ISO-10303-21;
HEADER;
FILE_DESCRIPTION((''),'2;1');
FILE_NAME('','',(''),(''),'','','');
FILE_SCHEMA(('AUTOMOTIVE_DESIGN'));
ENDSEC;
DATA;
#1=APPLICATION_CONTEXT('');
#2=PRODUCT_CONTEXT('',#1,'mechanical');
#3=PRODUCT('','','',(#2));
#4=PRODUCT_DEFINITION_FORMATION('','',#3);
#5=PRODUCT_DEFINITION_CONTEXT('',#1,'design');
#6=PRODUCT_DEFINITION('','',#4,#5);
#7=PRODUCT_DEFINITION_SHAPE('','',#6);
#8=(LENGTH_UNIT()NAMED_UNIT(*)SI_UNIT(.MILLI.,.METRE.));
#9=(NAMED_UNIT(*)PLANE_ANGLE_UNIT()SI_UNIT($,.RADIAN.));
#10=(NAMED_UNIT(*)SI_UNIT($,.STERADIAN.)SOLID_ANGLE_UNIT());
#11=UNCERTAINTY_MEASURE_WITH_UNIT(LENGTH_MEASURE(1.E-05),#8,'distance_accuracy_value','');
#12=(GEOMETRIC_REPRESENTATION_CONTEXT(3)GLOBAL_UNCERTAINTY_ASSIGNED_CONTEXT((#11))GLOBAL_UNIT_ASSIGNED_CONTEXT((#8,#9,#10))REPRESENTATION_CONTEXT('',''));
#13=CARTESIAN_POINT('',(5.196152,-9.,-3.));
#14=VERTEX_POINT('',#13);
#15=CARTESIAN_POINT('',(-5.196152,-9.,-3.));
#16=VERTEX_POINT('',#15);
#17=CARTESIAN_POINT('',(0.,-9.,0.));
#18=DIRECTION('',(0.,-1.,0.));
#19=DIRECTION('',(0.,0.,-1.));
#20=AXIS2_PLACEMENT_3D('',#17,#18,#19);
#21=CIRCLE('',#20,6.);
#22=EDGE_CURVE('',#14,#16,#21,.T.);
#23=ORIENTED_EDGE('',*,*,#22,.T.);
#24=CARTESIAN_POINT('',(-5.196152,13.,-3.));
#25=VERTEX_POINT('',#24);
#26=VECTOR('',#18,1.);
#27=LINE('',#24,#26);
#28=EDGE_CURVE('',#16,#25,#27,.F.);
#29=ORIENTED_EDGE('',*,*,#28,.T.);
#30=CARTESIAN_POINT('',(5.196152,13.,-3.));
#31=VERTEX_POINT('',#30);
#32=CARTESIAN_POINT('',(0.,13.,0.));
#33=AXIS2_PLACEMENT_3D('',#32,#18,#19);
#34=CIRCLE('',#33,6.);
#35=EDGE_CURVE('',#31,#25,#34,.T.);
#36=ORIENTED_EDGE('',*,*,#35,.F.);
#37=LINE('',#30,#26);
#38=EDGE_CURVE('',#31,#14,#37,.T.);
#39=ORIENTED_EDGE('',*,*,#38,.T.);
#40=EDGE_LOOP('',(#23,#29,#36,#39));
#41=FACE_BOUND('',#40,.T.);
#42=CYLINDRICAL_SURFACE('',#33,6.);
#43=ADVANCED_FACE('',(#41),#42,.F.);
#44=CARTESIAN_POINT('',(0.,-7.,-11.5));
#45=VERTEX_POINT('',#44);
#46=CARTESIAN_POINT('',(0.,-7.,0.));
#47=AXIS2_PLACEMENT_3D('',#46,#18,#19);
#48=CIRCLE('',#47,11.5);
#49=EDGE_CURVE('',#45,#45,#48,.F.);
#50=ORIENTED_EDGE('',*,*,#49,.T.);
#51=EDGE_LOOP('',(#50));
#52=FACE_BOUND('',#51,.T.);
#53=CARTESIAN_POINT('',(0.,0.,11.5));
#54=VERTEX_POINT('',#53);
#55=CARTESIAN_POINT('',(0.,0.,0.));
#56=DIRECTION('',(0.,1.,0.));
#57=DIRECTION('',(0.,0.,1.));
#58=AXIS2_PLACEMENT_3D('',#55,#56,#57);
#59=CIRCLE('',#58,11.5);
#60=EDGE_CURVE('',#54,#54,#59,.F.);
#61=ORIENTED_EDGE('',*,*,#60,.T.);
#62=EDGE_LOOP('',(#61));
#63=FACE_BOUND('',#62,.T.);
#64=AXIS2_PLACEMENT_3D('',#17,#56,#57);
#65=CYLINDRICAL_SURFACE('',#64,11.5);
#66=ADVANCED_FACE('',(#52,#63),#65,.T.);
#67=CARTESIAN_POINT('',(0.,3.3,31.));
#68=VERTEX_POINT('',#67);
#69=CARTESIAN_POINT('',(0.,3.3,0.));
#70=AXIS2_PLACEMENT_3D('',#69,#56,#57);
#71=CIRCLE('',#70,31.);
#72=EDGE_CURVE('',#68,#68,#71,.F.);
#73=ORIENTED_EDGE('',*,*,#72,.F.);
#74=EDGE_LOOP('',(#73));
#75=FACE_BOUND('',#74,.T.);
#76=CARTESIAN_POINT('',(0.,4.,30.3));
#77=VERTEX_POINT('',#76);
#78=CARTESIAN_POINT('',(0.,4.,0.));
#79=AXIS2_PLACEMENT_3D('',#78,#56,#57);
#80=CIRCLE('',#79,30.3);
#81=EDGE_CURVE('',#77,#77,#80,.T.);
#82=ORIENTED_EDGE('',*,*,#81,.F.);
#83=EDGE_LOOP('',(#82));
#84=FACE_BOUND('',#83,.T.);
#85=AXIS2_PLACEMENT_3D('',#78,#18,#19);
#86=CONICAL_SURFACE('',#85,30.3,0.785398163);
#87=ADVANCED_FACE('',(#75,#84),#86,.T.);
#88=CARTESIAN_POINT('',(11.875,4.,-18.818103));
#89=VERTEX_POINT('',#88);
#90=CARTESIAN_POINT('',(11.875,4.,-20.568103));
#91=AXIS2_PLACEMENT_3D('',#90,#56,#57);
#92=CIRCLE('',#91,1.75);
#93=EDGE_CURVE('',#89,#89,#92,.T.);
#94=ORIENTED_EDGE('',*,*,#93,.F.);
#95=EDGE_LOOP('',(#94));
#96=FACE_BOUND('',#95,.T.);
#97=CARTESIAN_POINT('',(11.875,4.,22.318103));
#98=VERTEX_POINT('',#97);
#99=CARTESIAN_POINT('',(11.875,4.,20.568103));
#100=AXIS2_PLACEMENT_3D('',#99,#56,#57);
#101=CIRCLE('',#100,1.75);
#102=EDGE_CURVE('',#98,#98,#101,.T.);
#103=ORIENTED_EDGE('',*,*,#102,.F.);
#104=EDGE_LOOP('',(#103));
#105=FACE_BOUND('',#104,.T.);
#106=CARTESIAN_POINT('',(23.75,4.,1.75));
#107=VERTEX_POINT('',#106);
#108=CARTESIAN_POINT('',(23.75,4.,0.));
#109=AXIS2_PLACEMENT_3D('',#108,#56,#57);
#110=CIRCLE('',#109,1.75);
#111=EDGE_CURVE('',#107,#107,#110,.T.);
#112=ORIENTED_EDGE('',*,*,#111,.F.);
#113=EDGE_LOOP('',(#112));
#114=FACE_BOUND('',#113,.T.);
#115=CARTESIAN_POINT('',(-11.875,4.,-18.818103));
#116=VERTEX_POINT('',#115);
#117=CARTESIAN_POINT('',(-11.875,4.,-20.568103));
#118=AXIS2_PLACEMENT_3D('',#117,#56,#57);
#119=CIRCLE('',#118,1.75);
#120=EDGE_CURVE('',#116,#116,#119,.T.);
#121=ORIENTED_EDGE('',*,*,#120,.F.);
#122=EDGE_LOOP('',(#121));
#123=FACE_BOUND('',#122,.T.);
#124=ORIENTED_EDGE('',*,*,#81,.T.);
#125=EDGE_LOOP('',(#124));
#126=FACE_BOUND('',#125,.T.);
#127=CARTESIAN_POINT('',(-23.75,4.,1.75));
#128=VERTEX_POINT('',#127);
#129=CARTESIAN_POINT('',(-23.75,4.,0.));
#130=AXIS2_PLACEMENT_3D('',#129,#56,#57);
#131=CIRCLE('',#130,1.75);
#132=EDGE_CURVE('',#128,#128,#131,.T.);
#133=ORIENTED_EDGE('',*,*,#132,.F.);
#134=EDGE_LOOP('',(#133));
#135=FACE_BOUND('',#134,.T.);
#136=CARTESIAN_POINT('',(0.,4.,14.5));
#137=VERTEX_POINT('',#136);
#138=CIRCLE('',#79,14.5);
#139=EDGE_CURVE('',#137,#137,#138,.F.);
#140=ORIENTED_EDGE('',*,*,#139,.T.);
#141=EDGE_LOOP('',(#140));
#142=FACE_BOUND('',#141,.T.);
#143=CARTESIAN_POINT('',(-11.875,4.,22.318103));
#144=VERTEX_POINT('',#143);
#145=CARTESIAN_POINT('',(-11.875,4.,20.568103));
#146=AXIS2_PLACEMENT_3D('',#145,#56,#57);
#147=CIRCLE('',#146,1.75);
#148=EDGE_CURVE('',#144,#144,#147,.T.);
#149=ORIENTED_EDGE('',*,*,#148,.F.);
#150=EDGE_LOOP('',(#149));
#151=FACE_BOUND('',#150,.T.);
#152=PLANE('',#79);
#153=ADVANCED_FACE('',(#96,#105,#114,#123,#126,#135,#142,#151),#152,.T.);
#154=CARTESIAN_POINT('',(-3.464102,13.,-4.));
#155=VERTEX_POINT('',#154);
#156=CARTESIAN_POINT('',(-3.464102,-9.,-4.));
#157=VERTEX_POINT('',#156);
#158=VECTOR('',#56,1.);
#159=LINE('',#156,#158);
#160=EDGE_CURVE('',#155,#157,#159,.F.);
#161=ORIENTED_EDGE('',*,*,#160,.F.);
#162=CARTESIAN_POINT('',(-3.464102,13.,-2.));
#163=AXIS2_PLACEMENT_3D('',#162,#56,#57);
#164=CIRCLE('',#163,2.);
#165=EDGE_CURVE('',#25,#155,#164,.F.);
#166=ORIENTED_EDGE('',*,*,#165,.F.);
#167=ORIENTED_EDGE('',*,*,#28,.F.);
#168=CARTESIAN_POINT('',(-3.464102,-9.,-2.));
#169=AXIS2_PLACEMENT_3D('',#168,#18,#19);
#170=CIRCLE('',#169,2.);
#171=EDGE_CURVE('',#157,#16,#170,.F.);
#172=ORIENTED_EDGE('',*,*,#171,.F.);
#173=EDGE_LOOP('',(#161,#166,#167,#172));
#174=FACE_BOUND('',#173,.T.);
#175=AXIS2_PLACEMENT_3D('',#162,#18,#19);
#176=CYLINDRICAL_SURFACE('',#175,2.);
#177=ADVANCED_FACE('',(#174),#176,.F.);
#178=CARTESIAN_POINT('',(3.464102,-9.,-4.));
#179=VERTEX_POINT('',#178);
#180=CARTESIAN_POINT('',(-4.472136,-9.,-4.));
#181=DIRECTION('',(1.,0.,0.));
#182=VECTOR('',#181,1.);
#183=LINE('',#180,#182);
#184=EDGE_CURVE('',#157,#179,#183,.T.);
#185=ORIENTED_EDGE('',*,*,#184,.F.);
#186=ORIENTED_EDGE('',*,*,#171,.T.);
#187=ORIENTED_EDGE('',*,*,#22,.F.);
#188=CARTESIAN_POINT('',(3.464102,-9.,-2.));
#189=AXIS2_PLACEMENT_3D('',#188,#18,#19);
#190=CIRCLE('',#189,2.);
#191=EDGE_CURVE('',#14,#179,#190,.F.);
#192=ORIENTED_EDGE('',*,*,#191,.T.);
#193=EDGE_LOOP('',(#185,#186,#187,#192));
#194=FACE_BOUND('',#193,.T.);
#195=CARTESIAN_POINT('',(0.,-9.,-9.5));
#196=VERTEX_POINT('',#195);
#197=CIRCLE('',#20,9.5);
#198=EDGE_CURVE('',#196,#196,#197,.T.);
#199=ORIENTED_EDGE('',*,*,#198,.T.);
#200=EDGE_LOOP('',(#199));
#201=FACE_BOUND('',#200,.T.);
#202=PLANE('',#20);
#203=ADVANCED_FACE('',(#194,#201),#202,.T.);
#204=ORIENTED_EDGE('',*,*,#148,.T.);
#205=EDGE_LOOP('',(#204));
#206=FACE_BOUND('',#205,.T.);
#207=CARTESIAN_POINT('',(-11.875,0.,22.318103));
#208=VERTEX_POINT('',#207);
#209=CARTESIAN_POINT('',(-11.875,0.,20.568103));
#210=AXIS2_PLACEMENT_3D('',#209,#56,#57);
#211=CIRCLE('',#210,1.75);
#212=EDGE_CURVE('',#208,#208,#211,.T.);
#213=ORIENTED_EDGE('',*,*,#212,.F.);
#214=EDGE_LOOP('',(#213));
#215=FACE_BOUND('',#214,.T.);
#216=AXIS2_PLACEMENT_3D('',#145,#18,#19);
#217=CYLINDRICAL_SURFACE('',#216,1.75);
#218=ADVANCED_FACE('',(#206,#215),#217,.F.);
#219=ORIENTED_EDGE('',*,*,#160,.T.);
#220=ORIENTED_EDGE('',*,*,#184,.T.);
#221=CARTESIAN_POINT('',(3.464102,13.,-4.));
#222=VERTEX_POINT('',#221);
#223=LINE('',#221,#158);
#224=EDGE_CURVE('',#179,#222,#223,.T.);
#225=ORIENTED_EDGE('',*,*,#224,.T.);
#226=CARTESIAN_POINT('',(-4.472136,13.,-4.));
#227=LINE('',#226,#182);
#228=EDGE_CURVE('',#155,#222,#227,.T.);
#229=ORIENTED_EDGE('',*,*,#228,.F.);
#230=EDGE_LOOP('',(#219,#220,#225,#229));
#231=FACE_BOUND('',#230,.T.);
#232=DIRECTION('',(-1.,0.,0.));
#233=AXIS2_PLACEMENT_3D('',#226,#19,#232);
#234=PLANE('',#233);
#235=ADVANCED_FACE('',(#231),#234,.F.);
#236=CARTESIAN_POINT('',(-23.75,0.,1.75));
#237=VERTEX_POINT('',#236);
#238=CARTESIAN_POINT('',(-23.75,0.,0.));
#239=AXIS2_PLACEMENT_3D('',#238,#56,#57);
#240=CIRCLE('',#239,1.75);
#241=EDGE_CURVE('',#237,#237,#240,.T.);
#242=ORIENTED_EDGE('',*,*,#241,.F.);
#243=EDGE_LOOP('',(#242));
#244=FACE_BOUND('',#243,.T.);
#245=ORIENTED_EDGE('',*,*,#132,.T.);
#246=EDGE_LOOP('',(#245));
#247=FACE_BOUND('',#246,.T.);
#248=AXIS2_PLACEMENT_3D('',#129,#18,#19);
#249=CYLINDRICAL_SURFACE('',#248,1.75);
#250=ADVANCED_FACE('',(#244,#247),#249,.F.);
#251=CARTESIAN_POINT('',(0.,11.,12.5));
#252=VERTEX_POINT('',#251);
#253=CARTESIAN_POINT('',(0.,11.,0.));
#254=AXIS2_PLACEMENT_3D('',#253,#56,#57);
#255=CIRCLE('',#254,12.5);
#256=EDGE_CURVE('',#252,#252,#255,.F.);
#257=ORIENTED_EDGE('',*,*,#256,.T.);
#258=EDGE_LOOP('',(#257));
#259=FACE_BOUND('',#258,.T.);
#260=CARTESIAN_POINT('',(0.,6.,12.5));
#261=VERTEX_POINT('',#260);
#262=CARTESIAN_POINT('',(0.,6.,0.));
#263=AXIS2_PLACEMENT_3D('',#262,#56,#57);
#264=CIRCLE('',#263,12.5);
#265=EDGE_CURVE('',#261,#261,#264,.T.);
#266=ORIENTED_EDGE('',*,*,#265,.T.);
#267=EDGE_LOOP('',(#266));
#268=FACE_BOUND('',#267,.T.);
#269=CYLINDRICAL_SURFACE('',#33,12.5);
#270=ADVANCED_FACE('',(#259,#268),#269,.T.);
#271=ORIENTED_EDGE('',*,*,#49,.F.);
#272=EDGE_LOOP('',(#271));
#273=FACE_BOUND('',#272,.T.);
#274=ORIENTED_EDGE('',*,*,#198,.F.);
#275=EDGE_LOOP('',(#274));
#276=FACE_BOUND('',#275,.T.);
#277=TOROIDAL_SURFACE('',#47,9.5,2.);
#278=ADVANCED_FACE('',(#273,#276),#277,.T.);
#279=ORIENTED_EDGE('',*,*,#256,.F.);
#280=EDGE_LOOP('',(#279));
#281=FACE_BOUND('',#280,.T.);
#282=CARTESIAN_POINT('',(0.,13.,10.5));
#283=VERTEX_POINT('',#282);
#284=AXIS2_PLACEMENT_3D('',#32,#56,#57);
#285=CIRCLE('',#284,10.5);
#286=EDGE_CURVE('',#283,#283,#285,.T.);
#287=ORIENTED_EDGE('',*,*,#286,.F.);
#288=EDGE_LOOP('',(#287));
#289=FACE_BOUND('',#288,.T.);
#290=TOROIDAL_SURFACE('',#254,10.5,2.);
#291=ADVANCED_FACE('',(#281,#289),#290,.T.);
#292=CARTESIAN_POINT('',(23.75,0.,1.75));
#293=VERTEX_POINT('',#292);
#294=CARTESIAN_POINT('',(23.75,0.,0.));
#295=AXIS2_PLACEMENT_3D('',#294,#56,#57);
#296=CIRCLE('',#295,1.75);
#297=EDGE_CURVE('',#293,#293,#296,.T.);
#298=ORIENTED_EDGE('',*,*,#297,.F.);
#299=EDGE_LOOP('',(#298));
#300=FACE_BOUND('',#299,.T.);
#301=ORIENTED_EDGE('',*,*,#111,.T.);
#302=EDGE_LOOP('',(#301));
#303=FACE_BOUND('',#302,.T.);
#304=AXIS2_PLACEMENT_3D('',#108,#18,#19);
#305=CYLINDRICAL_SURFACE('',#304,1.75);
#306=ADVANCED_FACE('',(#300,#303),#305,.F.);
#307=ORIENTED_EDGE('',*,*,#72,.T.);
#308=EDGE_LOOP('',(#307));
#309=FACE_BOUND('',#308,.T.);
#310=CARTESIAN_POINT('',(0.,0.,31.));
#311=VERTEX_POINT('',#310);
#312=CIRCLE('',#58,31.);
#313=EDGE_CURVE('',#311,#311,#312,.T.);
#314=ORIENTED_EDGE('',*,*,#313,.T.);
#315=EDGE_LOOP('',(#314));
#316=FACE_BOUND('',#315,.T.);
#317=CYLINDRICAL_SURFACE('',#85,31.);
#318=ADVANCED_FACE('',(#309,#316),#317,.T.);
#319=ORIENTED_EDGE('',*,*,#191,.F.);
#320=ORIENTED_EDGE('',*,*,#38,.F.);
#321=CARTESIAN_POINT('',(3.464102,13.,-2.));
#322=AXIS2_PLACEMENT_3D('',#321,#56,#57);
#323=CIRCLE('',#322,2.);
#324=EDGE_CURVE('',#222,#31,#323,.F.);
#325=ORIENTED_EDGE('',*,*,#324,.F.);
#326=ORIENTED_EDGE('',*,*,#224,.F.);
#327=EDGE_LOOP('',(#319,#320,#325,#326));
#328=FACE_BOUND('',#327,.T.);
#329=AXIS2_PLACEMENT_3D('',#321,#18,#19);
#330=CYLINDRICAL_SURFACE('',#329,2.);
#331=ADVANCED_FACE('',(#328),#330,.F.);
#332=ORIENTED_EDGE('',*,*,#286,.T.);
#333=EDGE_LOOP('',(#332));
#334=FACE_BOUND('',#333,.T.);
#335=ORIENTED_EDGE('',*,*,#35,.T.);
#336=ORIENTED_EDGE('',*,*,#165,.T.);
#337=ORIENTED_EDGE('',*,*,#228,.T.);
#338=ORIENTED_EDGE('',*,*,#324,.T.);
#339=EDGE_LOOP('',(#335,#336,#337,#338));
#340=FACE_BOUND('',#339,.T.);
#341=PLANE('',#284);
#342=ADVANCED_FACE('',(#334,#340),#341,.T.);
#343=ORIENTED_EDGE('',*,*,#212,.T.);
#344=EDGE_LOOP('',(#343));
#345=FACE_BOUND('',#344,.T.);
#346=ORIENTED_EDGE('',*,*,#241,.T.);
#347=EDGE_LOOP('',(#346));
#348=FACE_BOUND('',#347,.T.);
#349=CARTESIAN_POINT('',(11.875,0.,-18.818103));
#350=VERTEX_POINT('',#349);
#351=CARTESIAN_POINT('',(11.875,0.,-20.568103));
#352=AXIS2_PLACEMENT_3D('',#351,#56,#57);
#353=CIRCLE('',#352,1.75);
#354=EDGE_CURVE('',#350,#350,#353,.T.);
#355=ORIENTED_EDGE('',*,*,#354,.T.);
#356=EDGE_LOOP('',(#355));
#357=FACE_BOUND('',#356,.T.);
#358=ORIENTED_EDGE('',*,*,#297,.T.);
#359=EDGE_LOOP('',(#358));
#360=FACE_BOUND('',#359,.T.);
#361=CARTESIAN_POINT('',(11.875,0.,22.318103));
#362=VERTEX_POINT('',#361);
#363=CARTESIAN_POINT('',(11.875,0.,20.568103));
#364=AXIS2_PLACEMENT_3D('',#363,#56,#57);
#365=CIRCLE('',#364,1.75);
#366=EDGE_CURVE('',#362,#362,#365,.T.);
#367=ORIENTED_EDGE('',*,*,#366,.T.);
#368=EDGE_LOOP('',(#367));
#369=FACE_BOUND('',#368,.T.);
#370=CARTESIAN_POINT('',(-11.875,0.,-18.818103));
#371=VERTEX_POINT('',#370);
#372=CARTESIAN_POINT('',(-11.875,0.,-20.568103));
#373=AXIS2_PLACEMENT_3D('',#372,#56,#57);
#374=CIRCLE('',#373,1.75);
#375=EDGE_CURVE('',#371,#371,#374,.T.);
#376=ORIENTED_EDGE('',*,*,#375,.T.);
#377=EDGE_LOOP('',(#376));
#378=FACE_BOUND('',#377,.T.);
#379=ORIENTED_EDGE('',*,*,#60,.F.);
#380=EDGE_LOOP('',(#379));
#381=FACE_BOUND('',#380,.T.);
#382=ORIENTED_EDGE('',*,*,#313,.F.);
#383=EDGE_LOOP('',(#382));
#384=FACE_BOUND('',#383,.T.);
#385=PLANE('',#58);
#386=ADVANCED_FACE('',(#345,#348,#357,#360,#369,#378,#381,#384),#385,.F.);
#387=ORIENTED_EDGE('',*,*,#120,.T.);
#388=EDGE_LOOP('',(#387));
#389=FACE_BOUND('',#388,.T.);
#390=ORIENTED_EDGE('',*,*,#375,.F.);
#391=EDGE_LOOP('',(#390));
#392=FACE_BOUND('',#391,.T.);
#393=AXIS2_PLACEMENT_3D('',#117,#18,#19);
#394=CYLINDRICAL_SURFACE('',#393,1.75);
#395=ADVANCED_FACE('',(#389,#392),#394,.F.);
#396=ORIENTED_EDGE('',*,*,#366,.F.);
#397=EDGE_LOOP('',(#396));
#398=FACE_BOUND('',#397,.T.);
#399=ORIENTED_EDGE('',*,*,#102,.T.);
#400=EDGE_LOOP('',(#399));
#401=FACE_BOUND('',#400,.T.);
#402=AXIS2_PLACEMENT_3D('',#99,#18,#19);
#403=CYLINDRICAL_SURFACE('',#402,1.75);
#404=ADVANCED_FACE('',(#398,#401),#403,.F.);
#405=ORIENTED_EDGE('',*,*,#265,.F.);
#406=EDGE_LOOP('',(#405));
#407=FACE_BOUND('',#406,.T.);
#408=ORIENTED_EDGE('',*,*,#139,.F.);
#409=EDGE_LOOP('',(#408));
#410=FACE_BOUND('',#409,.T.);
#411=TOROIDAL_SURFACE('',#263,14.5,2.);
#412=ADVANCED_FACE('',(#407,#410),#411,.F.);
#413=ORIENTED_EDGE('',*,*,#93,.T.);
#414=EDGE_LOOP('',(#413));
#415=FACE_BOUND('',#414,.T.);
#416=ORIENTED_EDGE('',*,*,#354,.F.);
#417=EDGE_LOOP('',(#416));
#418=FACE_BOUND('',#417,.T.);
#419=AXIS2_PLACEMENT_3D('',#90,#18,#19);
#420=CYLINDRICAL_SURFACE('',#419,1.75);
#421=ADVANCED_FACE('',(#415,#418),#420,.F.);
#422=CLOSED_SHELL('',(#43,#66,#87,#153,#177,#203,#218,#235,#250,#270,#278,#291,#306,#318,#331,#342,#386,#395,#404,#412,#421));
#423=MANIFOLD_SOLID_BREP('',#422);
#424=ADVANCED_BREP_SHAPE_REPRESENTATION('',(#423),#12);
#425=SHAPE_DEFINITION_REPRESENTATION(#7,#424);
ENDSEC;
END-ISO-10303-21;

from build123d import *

# Parameters (mm, degrees)
SKETCH1_R           = 31
SKETCH1_R_2         = 1.75
BOSS_EXTRUDE1_DEPTH = 4
SKETCH2_R           = 12.5
BOSS_EXTRUDE2_DEPTH = 9
FILLET2_R           = 2
CHAMFER2_SIZE       = 0.7
SKETCH6_R           = 11.5
BOSS_EXTRUDE3_DEPTH = 9
FILLET3_R           = 2
CUT_EXTRUDE3_DEPTH  = 50.050993874
FILLET4_R           = 2


with BuildPart() as part:
    # Sketch1 → Boss-Extrude1 (new body)
    with BuildSketch(Plane(origin=(0, 0, 0), x_dir=(1, 0, 0), z_dir=(0, 1, 0))):
        with Locations(Location((0, 0, 0), (0, 0, 270))):
            Circle(SKETCH1_R)
        with Locations(Location((-11.875, 20.56810334, 0), (0, 0, 270))):
            Circle(SKETCH1_R_2, mode=Mode.SUBTRACT)
        with Locations(Location((11.875, 20.56810334, 0), (0, 0, 270))):
            Circle(SKETCH1_R_2, mode=Mode.SUBTRACT)
        with Locations(Location((23.75, 0, 0), (0, 0, 270))):
            Circle(SKETCH1_R_2, mode=Mode.SUBTRACT)
        with Locations(Location((11.875, -20.56810334, 0), (0, 0, 270))):
            Circle(SKETCH1_R_2, mode=Mode.SUBTRACT)
        with Locations(Location((-11.875, -20.56810334, 0), (0, 0, 270))):
            Circle(SKETCH1_R_2, mode=Mode.SUBTRACT)
        with Locations(Location((-23.75, 0, 0), (0, 0, 270))):
            Circle(SKETCH1_R_2, mode=Mode.SUBTRACT)
    extrude(amount=BOSS_EXTRUDE1_DEPTH)

    # Sketch2 → Boss-Extrude2 (add)
    with BuildSketch(Plane(origin=(0, 4, 0), x_dir=(1, 0, 0), z_dir=(0, 1, 0))):
        with Locations(Location((0, 0, 0), (0, 0, 270))):
            Circle(SKETCH2_R)
    extrude(amount=BOSS_EXTRUDE2_DEPTH)

    # Fillet2
    fillet2_edges = [part.edges().sort_by_distance(p)[0] for p in [
        (0, 4, -12.5),
        (0, 13, -12.5),
    ]]
    fillet(fillet2_edges, radius=FILLET2_R)

    # Chamfer2
    chamfer2_edges = [part.edges().sort_by_distance(p)[0] for p in [
        (0, 4, -31),
    ]]
    chamfer(chamfer2_edges, length=CHAMFER2_SIZE)

    # Sketch6 → Boss-Extrude3 (add)
    with BuildSketch(Plane(origin=(0, 0, 0), x_dir=(-1, 0, 0), z_dir=(0, -1, 0))):
        with Locations(Location((0, 0, 0), (0, 0, 270))):
            Circle(SKETCH6_R)
    extrude(amount=BOSS_EXTRUDE3_DEPTH)

    # Fillet3
    fillet3_edges = [part.edges().sort_by_distance(p)[0] for p in [
        (0, -9, -11.5),
    ]]
    fillet(fillet3_edges, radius=FILLET3_R)

    # Sketch7 → Cut-Extrude3 (cut, through all)
    with BuildSketch(Plane(origin=(0, -9, 0), x_dir=(-1, 0, 0), z_dir=(0, -1, 0))):
        with BuildLine():
            Line((4.472135955, 4), (-4.472135955, 4))
            ThreePointArc((-4.472135955, 4), (0, -6), (4.472135955, 4))
        make_face()
    extrude(amount=-CUT_EXTRUDE3_DEPTH, mode=Mode.SUBTRACT)

    # Fillet4
    fillet4_edges = [part.edges().sort_by_distance(p)[0] for p in [
        (-4.472135955, 2, -4),
        (4.472135955, 2, -4),
    ]]
    fillet(fillet4_edges, radius=FILLET4_R)


solid = part.part
